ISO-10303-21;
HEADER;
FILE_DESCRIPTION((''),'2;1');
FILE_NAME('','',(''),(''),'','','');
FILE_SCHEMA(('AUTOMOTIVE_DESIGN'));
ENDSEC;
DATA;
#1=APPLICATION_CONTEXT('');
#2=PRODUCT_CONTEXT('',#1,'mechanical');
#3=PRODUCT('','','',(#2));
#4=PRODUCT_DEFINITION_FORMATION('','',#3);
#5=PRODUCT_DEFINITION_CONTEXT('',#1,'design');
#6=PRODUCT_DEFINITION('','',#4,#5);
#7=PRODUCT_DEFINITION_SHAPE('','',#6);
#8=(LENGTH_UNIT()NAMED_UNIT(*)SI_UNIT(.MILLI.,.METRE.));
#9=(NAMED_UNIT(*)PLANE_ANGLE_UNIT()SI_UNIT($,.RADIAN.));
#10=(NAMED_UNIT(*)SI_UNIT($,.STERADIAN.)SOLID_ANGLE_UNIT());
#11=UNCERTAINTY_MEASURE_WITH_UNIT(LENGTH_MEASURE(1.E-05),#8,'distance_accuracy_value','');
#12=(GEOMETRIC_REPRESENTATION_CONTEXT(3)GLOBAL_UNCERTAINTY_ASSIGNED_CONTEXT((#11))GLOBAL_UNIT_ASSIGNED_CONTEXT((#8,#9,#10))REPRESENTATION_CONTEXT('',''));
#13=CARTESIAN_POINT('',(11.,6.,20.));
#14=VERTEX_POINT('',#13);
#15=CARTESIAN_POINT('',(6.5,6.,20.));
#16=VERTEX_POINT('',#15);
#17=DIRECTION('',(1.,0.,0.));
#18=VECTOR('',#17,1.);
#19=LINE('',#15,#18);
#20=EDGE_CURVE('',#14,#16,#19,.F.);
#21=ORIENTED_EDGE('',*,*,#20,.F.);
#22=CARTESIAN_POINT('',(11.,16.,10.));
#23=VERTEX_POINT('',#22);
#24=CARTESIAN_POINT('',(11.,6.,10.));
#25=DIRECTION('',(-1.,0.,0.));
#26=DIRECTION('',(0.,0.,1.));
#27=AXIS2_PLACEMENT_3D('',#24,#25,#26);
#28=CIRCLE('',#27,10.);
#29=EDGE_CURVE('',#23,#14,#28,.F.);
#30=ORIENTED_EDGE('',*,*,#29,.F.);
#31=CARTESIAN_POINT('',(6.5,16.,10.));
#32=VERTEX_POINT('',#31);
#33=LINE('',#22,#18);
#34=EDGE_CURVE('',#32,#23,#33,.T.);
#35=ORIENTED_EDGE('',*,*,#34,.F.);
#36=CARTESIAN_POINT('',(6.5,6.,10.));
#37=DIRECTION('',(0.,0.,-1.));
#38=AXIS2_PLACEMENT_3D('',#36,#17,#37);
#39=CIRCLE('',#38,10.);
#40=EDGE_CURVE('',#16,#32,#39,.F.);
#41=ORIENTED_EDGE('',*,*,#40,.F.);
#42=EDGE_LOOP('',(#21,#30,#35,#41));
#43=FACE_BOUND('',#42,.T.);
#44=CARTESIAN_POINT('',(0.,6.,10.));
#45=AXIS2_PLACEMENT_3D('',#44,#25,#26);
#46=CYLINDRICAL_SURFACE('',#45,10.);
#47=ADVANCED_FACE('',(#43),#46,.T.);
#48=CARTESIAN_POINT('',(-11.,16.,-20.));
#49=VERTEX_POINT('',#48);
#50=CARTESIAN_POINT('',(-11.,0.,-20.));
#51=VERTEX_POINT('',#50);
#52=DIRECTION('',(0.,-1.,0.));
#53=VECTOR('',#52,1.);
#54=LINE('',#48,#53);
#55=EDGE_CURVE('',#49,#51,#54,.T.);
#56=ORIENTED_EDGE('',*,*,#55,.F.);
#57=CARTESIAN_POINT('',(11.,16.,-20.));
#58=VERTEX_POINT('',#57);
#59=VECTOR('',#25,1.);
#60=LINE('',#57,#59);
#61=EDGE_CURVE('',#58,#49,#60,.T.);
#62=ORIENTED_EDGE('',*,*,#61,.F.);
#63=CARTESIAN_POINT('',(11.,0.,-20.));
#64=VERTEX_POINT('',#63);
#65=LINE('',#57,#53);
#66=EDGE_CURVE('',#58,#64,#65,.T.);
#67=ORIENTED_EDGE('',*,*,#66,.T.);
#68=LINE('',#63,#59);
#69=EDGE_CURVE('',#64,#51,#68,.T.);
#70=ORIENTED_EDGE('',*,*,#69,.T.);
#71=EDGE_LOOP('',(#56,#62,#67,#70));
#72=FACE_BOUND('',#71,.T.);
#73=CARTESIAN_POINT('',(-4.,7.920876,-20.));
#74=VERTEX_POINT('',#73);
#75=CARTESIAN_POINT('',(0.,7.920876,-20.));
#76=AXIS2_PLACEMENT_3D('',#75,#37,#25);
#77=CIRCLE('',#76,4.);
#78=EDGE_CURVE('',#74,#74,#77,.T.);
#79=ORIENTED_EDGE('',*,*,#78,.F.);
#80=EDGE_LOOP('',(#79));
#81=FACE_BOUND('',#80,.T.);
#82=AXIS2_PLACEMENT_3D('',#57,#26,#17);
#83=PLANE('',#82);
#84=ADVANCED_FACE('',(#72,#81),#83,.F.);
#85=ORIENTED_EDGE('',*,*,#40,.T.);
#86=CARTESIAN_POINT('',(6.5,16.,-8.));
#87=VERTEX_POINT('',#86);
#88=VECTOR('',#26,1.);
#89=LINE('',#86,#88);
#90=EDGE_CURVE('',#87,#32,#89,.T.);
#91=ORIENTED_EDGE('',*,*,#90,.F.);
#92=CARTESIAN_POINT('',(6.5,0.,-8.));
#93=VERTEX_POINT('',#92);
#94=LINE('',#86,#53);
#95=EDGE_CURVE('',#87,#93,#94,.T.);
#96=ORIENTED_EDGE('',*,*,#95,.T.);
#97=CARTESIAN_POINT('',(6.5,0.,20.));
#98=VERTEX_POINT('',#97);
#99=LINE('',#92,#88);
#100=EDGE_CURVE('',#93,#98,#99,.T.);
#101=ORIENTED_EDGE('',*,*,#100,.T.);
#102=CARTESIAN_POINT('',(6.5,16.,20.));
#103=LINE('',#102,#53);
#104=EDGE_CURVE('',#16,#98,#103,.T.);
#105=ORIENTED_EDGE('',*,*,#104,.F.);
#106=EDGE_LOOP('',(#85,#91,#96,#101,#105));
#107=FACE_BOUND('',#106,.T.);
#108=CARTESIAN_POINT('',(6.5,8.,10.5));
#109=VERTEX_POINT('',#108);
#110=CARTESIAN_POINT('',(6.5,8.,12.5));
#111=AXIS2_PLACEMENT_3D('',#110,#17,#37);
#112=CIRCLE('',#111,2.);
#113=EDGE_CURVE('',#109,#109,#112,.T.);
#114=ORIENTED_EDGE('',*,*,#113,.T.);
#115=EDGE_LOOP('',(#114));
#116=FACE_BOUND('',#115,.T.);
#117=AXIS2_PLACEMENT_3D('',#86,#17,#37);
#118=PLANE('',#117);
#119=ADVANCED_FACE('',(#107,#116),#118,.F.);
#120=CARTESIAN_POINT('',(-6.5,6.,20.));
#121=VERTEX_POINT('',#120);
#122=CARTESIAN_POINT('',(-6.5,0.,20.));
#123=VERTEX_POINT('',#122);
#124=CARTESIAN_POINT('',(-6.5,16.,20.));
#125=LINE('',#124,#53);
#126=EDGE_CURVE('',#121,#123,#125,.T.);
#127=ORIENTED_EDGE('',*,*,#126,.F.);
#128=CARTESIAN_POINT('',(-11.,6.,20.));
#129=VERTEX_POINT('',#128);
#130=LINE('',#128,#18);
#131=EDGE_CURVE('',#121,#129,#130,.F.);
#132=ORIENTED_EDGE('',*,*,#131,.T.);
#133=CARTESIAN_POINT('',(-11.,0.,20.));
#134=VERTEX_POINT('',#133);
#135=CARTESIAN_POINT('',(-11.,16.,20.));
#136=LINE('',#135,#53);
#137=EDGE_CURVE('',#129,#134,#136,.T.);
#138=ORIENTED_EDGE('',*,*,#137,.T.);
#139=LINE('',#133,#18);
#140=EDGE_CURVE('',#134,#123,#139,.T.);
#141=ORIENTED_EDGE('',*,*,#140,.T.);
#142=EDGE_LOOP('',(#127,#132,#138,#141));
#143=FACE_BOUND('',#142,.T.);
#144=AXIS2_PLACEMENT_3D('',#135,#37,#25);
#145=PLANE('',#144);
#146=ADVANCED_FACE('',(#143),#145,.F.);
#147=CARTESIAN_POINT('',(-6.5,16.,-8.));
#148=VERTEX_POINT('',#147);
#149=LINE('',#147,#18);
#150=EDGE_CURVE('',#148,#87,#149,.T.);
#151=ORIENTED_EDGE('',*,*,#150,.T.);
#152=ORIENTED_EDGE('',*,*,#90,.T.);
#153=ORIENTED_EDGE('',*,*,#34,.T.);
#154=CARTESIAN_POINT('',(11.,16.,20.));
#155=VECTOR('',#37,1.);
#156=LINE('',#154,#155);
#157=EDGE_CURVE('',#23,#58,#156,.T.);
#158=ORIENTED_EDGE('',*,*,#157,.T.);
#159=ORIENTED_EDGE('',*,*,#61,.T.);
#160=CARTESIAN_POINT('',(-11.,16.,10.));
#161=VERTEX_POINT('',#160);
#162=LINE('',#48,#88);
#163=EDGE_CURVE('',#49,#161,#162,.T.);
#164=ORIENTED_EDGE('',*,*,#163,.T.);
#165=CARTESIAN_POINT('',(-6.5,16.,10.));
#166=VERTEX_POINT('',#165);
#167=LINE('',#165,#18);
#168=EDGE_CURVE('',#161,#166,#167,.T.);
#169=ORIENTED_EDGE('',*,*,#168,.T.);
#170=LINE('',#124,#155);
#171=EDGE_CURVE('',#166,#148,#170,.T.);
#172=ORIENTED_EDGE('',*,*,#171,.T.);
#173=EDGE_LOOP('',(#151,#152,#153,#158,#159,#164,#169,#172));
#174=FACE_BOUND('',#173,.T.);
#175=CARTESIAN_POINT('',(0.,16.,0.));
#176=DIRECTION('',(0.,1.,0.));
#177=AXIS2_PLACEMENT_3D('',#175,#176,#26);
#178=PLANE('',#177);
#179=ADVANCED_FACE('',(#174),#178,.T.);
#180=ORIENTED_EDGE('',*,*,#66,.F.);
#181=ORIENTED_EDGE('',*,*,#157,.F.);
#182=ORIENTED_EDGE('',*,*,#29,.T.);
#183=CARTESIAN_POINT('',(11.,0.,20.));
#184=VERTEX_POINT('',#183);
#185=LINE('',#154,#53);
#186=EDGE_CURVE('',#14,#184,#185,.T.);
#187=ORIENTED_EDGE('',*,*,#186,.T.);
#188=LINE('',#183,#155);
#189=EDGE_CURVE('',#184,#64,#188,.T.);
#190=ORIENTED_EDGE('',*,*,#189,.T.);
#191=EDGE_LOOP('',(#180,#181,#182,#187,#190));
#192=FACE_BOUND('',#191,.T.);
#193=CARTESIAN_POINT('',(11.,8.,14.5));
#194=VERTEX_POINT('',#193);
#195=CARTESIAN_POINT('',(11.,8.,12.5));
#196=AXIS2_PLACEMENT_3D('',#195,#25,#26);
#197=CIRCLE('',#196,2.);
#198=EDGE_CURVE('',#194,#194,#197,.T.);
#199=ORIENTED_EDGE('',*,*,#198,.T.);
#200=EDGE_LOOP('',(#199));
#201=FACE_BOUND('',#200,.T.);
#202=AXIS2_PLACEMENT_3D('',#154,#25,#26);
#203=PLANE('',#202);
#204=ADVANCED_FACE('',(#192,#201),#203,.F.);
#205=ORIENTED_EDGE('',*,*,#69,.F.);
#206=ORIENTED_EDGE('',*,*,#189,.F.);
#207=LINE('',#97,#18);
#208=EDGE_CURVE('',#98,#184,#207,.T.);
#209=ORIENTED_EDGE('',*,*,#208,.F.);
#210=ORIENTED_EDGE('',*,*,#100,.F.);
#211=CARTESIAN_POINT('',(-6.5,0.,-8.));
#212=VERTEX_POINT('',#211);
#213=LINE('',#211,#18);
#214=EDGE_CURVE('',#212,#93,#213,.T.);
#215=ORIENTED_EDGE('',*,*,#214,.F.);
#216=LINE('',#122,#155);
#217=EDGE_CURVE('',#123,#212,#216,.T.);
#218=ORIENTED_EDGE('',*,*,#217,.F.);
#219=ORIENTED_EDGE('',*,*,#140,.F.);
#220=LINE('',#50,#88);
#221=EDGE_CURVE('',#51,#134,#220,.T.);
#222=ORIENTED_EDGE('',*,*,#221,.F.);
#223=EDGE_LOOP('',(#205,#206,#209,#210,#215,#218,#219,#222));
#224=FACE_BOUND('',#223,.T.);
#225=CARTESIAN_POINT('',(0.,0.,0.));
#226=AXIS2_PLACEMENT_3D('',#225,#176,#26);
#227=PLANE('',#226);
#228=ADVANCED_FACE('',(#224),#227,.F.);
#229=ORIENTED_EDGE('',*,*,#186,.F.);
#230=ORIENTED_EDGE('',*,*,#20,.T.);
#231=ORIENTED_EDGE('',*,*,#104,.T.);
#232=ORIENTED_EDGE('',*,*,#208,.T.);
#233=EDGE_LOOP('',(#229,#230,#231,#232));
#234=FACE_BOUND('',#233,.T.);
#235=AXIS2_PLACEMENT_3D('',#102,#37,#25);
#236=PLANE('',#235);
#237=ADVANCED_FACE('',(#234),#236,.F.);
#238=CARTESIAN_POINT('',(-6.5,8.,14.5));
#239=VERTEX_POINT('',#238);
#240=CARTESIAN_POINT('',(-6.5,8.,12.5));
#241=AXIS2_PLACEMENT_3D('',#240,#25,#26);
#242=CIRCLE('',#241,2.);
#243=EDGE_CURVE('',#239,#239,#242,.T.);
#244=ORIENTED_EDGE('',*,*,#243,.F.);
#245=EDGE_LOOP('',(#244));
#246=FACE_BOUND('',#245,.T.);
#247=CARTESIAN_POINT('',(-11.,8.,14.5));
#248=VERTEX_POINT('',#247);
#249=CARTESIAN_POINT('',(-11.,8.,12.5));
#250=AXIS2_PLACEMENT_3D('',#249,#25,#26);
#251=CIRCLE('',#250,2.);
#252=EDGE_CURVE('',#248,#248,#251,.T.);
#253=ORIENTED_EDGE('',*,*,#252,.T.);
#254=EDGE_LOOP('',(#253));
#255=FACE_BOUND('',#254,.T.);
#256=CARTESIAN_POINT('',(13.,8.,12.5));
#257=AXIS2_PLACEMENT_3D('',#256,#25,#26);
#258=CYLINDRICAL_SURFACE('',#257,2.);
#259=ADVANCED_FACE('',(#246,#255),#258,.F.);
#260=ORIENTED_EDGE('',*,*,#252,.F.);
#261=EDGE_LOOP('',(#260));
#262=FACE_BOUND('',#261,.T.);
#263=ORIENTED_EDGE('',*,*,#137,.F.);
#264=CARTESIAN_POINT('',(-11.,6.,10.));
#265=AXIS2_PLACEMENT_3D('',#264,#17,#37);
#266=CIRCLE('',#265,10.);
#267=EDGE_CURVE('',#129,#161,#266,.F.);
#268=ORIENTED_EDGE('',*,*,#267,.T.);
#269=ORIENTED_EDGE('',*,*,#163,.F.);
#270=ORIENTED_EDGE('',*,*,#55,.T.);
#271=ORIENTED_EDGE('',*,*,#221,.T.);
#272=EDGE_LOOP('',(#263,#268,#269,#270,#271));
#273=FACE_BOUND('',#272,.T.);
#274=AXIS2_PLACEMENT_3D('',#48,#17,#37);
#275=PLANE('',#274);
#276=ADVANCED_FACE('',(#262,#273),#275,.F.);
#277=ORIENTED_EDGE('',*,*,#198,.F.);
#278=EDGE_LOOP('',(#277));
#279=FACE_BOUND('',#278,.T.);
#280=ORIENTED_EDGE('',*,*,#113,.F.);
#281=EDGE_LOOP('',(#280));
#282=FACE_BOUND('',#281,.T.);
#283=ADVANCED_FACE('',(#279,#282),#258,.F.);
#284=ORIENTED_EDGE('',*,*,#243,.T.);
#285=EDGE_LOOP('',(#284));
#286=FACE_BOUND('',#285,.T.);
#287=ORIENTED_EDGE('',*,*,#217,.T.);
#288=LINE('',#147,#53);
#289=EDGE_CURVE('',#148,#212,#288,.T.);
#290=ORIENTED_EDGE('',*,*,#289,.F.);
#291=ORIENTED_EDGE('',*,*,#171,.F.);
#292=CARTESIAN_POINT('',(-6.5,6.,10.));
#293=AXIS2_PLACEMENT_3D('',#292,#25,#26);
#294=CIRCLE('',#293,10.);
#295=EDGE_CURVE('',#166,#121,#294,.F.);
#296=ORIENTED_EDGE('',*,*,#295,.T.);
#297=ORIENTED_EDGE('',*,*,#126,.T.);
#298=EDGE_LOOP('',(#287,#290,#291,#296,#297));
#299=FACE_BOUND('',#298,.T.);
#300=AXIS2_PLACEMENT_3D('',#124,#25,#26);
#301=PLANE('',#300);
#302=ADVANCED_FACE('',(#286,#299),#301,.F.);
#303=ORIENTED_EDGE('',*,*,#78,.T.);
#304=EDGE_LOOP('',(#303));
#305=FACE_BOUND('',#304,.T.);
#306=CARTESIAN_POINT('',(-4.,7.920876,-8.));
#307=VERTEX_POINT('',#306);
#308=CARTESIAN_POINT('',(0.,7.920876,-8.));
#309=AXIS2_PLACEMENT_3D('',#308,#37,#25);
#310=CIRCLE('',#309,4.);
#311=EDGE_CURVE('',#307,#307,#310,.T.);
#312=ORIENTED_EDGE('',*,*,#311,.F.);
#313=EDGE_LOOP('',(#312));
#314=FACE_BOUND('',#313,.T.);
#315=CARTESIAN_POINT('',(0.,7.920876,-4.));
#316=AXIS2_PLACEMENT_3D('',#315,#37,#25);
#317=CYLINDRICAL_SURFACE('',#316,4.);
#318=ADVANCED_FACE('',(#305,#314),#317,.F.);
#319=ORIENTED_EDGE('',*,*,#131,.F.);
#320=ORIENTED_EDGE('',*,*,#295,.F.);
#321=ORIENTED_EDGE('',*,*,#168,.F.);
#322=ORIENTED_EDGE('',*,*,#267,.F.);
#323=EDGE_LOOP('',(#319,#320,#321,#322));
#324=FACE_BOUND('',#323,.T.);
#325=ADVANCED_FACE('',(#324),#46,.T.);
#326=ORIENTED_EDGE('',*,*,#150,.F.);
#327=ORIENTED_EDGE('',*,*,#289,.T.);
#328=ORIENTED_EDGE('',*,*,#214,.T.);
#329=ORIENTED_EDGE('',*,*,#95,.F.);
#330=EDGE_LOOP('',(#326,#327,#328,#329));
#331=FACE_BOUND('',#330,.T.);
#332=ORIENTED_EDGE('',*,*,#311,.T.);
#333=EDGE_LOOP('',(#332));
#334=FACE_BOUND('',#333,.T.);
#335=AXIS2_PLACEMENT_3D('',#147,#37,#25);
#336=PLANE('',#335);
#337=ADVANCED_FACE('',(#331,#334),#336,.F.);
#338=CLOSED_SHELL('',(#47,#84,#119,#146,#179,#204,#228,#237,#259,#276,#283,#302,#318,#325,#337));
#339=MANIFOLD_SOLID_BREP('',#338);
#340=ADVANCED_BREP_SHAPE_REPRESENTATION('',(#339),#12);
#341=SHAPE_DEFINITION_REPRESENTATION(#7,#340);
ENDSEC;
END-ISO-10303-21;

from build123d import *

# Parameters (mm, degrees)
BOSS_EXTRUDE1_DEPTH = 16
FILLET1_R           = 10
SKETCH2_R           = 4
CUT_EXTRUDE1_DEPTH  = 16
SKETCH3_R           = 2
CUT_EXTRUDE2_DEPTH  = 24


with BuildPart() as part:
    # Sketch1 → Boss-Extrude1 (new body)
    with BuildSketch(Plane(origin=(0, 0, 0), x_dir=(1, 0, 0), z_dir=(0, 1, 0))):
        Polygon((-11, 20), (-11, -20), (-6.5, -20), (-6.5, 8), (6.5, 8), (6.5, -20), (11, -20), (11, 20), align=None)
    extrude(amount=BOSS_EXTRUDE1_DEPTH)

    # Fillet1
    fillet1_edges = [part.edges().sort_by_distance(p)[0] for p in [
        (-8.75, 16, 20),
        (8.75, 16, 20),
    ]]
    fillet(fillet1_edges, radius=FILLET1_R)

    # Sketch2 → Cut-Extrude1 (cut)
    with BuildSketch(Plane(origin=(0, 0, -20), x_dir=(-1, 0, 0), z_dir=(0, 0, -1))):
        with Locations((0, 7.920875605)):
            Circle(SKETCH2_R)
    extrude(amount=-CUT_EXTRUDE1_DEPTH, mode=Mode.SUBTRACT)

    # Sketch3 → Cut-Extrude2 (cut)
    with BuildSketch(Plane.ZY.offset(11)):
        with Locations((12.5, 8)):
            Circle(SKETCH3_R)
    extrude(amount=-CUT_EXTRUDE2_DEPTH, mode=Mode.SUBTRACT)


solid = part.part
